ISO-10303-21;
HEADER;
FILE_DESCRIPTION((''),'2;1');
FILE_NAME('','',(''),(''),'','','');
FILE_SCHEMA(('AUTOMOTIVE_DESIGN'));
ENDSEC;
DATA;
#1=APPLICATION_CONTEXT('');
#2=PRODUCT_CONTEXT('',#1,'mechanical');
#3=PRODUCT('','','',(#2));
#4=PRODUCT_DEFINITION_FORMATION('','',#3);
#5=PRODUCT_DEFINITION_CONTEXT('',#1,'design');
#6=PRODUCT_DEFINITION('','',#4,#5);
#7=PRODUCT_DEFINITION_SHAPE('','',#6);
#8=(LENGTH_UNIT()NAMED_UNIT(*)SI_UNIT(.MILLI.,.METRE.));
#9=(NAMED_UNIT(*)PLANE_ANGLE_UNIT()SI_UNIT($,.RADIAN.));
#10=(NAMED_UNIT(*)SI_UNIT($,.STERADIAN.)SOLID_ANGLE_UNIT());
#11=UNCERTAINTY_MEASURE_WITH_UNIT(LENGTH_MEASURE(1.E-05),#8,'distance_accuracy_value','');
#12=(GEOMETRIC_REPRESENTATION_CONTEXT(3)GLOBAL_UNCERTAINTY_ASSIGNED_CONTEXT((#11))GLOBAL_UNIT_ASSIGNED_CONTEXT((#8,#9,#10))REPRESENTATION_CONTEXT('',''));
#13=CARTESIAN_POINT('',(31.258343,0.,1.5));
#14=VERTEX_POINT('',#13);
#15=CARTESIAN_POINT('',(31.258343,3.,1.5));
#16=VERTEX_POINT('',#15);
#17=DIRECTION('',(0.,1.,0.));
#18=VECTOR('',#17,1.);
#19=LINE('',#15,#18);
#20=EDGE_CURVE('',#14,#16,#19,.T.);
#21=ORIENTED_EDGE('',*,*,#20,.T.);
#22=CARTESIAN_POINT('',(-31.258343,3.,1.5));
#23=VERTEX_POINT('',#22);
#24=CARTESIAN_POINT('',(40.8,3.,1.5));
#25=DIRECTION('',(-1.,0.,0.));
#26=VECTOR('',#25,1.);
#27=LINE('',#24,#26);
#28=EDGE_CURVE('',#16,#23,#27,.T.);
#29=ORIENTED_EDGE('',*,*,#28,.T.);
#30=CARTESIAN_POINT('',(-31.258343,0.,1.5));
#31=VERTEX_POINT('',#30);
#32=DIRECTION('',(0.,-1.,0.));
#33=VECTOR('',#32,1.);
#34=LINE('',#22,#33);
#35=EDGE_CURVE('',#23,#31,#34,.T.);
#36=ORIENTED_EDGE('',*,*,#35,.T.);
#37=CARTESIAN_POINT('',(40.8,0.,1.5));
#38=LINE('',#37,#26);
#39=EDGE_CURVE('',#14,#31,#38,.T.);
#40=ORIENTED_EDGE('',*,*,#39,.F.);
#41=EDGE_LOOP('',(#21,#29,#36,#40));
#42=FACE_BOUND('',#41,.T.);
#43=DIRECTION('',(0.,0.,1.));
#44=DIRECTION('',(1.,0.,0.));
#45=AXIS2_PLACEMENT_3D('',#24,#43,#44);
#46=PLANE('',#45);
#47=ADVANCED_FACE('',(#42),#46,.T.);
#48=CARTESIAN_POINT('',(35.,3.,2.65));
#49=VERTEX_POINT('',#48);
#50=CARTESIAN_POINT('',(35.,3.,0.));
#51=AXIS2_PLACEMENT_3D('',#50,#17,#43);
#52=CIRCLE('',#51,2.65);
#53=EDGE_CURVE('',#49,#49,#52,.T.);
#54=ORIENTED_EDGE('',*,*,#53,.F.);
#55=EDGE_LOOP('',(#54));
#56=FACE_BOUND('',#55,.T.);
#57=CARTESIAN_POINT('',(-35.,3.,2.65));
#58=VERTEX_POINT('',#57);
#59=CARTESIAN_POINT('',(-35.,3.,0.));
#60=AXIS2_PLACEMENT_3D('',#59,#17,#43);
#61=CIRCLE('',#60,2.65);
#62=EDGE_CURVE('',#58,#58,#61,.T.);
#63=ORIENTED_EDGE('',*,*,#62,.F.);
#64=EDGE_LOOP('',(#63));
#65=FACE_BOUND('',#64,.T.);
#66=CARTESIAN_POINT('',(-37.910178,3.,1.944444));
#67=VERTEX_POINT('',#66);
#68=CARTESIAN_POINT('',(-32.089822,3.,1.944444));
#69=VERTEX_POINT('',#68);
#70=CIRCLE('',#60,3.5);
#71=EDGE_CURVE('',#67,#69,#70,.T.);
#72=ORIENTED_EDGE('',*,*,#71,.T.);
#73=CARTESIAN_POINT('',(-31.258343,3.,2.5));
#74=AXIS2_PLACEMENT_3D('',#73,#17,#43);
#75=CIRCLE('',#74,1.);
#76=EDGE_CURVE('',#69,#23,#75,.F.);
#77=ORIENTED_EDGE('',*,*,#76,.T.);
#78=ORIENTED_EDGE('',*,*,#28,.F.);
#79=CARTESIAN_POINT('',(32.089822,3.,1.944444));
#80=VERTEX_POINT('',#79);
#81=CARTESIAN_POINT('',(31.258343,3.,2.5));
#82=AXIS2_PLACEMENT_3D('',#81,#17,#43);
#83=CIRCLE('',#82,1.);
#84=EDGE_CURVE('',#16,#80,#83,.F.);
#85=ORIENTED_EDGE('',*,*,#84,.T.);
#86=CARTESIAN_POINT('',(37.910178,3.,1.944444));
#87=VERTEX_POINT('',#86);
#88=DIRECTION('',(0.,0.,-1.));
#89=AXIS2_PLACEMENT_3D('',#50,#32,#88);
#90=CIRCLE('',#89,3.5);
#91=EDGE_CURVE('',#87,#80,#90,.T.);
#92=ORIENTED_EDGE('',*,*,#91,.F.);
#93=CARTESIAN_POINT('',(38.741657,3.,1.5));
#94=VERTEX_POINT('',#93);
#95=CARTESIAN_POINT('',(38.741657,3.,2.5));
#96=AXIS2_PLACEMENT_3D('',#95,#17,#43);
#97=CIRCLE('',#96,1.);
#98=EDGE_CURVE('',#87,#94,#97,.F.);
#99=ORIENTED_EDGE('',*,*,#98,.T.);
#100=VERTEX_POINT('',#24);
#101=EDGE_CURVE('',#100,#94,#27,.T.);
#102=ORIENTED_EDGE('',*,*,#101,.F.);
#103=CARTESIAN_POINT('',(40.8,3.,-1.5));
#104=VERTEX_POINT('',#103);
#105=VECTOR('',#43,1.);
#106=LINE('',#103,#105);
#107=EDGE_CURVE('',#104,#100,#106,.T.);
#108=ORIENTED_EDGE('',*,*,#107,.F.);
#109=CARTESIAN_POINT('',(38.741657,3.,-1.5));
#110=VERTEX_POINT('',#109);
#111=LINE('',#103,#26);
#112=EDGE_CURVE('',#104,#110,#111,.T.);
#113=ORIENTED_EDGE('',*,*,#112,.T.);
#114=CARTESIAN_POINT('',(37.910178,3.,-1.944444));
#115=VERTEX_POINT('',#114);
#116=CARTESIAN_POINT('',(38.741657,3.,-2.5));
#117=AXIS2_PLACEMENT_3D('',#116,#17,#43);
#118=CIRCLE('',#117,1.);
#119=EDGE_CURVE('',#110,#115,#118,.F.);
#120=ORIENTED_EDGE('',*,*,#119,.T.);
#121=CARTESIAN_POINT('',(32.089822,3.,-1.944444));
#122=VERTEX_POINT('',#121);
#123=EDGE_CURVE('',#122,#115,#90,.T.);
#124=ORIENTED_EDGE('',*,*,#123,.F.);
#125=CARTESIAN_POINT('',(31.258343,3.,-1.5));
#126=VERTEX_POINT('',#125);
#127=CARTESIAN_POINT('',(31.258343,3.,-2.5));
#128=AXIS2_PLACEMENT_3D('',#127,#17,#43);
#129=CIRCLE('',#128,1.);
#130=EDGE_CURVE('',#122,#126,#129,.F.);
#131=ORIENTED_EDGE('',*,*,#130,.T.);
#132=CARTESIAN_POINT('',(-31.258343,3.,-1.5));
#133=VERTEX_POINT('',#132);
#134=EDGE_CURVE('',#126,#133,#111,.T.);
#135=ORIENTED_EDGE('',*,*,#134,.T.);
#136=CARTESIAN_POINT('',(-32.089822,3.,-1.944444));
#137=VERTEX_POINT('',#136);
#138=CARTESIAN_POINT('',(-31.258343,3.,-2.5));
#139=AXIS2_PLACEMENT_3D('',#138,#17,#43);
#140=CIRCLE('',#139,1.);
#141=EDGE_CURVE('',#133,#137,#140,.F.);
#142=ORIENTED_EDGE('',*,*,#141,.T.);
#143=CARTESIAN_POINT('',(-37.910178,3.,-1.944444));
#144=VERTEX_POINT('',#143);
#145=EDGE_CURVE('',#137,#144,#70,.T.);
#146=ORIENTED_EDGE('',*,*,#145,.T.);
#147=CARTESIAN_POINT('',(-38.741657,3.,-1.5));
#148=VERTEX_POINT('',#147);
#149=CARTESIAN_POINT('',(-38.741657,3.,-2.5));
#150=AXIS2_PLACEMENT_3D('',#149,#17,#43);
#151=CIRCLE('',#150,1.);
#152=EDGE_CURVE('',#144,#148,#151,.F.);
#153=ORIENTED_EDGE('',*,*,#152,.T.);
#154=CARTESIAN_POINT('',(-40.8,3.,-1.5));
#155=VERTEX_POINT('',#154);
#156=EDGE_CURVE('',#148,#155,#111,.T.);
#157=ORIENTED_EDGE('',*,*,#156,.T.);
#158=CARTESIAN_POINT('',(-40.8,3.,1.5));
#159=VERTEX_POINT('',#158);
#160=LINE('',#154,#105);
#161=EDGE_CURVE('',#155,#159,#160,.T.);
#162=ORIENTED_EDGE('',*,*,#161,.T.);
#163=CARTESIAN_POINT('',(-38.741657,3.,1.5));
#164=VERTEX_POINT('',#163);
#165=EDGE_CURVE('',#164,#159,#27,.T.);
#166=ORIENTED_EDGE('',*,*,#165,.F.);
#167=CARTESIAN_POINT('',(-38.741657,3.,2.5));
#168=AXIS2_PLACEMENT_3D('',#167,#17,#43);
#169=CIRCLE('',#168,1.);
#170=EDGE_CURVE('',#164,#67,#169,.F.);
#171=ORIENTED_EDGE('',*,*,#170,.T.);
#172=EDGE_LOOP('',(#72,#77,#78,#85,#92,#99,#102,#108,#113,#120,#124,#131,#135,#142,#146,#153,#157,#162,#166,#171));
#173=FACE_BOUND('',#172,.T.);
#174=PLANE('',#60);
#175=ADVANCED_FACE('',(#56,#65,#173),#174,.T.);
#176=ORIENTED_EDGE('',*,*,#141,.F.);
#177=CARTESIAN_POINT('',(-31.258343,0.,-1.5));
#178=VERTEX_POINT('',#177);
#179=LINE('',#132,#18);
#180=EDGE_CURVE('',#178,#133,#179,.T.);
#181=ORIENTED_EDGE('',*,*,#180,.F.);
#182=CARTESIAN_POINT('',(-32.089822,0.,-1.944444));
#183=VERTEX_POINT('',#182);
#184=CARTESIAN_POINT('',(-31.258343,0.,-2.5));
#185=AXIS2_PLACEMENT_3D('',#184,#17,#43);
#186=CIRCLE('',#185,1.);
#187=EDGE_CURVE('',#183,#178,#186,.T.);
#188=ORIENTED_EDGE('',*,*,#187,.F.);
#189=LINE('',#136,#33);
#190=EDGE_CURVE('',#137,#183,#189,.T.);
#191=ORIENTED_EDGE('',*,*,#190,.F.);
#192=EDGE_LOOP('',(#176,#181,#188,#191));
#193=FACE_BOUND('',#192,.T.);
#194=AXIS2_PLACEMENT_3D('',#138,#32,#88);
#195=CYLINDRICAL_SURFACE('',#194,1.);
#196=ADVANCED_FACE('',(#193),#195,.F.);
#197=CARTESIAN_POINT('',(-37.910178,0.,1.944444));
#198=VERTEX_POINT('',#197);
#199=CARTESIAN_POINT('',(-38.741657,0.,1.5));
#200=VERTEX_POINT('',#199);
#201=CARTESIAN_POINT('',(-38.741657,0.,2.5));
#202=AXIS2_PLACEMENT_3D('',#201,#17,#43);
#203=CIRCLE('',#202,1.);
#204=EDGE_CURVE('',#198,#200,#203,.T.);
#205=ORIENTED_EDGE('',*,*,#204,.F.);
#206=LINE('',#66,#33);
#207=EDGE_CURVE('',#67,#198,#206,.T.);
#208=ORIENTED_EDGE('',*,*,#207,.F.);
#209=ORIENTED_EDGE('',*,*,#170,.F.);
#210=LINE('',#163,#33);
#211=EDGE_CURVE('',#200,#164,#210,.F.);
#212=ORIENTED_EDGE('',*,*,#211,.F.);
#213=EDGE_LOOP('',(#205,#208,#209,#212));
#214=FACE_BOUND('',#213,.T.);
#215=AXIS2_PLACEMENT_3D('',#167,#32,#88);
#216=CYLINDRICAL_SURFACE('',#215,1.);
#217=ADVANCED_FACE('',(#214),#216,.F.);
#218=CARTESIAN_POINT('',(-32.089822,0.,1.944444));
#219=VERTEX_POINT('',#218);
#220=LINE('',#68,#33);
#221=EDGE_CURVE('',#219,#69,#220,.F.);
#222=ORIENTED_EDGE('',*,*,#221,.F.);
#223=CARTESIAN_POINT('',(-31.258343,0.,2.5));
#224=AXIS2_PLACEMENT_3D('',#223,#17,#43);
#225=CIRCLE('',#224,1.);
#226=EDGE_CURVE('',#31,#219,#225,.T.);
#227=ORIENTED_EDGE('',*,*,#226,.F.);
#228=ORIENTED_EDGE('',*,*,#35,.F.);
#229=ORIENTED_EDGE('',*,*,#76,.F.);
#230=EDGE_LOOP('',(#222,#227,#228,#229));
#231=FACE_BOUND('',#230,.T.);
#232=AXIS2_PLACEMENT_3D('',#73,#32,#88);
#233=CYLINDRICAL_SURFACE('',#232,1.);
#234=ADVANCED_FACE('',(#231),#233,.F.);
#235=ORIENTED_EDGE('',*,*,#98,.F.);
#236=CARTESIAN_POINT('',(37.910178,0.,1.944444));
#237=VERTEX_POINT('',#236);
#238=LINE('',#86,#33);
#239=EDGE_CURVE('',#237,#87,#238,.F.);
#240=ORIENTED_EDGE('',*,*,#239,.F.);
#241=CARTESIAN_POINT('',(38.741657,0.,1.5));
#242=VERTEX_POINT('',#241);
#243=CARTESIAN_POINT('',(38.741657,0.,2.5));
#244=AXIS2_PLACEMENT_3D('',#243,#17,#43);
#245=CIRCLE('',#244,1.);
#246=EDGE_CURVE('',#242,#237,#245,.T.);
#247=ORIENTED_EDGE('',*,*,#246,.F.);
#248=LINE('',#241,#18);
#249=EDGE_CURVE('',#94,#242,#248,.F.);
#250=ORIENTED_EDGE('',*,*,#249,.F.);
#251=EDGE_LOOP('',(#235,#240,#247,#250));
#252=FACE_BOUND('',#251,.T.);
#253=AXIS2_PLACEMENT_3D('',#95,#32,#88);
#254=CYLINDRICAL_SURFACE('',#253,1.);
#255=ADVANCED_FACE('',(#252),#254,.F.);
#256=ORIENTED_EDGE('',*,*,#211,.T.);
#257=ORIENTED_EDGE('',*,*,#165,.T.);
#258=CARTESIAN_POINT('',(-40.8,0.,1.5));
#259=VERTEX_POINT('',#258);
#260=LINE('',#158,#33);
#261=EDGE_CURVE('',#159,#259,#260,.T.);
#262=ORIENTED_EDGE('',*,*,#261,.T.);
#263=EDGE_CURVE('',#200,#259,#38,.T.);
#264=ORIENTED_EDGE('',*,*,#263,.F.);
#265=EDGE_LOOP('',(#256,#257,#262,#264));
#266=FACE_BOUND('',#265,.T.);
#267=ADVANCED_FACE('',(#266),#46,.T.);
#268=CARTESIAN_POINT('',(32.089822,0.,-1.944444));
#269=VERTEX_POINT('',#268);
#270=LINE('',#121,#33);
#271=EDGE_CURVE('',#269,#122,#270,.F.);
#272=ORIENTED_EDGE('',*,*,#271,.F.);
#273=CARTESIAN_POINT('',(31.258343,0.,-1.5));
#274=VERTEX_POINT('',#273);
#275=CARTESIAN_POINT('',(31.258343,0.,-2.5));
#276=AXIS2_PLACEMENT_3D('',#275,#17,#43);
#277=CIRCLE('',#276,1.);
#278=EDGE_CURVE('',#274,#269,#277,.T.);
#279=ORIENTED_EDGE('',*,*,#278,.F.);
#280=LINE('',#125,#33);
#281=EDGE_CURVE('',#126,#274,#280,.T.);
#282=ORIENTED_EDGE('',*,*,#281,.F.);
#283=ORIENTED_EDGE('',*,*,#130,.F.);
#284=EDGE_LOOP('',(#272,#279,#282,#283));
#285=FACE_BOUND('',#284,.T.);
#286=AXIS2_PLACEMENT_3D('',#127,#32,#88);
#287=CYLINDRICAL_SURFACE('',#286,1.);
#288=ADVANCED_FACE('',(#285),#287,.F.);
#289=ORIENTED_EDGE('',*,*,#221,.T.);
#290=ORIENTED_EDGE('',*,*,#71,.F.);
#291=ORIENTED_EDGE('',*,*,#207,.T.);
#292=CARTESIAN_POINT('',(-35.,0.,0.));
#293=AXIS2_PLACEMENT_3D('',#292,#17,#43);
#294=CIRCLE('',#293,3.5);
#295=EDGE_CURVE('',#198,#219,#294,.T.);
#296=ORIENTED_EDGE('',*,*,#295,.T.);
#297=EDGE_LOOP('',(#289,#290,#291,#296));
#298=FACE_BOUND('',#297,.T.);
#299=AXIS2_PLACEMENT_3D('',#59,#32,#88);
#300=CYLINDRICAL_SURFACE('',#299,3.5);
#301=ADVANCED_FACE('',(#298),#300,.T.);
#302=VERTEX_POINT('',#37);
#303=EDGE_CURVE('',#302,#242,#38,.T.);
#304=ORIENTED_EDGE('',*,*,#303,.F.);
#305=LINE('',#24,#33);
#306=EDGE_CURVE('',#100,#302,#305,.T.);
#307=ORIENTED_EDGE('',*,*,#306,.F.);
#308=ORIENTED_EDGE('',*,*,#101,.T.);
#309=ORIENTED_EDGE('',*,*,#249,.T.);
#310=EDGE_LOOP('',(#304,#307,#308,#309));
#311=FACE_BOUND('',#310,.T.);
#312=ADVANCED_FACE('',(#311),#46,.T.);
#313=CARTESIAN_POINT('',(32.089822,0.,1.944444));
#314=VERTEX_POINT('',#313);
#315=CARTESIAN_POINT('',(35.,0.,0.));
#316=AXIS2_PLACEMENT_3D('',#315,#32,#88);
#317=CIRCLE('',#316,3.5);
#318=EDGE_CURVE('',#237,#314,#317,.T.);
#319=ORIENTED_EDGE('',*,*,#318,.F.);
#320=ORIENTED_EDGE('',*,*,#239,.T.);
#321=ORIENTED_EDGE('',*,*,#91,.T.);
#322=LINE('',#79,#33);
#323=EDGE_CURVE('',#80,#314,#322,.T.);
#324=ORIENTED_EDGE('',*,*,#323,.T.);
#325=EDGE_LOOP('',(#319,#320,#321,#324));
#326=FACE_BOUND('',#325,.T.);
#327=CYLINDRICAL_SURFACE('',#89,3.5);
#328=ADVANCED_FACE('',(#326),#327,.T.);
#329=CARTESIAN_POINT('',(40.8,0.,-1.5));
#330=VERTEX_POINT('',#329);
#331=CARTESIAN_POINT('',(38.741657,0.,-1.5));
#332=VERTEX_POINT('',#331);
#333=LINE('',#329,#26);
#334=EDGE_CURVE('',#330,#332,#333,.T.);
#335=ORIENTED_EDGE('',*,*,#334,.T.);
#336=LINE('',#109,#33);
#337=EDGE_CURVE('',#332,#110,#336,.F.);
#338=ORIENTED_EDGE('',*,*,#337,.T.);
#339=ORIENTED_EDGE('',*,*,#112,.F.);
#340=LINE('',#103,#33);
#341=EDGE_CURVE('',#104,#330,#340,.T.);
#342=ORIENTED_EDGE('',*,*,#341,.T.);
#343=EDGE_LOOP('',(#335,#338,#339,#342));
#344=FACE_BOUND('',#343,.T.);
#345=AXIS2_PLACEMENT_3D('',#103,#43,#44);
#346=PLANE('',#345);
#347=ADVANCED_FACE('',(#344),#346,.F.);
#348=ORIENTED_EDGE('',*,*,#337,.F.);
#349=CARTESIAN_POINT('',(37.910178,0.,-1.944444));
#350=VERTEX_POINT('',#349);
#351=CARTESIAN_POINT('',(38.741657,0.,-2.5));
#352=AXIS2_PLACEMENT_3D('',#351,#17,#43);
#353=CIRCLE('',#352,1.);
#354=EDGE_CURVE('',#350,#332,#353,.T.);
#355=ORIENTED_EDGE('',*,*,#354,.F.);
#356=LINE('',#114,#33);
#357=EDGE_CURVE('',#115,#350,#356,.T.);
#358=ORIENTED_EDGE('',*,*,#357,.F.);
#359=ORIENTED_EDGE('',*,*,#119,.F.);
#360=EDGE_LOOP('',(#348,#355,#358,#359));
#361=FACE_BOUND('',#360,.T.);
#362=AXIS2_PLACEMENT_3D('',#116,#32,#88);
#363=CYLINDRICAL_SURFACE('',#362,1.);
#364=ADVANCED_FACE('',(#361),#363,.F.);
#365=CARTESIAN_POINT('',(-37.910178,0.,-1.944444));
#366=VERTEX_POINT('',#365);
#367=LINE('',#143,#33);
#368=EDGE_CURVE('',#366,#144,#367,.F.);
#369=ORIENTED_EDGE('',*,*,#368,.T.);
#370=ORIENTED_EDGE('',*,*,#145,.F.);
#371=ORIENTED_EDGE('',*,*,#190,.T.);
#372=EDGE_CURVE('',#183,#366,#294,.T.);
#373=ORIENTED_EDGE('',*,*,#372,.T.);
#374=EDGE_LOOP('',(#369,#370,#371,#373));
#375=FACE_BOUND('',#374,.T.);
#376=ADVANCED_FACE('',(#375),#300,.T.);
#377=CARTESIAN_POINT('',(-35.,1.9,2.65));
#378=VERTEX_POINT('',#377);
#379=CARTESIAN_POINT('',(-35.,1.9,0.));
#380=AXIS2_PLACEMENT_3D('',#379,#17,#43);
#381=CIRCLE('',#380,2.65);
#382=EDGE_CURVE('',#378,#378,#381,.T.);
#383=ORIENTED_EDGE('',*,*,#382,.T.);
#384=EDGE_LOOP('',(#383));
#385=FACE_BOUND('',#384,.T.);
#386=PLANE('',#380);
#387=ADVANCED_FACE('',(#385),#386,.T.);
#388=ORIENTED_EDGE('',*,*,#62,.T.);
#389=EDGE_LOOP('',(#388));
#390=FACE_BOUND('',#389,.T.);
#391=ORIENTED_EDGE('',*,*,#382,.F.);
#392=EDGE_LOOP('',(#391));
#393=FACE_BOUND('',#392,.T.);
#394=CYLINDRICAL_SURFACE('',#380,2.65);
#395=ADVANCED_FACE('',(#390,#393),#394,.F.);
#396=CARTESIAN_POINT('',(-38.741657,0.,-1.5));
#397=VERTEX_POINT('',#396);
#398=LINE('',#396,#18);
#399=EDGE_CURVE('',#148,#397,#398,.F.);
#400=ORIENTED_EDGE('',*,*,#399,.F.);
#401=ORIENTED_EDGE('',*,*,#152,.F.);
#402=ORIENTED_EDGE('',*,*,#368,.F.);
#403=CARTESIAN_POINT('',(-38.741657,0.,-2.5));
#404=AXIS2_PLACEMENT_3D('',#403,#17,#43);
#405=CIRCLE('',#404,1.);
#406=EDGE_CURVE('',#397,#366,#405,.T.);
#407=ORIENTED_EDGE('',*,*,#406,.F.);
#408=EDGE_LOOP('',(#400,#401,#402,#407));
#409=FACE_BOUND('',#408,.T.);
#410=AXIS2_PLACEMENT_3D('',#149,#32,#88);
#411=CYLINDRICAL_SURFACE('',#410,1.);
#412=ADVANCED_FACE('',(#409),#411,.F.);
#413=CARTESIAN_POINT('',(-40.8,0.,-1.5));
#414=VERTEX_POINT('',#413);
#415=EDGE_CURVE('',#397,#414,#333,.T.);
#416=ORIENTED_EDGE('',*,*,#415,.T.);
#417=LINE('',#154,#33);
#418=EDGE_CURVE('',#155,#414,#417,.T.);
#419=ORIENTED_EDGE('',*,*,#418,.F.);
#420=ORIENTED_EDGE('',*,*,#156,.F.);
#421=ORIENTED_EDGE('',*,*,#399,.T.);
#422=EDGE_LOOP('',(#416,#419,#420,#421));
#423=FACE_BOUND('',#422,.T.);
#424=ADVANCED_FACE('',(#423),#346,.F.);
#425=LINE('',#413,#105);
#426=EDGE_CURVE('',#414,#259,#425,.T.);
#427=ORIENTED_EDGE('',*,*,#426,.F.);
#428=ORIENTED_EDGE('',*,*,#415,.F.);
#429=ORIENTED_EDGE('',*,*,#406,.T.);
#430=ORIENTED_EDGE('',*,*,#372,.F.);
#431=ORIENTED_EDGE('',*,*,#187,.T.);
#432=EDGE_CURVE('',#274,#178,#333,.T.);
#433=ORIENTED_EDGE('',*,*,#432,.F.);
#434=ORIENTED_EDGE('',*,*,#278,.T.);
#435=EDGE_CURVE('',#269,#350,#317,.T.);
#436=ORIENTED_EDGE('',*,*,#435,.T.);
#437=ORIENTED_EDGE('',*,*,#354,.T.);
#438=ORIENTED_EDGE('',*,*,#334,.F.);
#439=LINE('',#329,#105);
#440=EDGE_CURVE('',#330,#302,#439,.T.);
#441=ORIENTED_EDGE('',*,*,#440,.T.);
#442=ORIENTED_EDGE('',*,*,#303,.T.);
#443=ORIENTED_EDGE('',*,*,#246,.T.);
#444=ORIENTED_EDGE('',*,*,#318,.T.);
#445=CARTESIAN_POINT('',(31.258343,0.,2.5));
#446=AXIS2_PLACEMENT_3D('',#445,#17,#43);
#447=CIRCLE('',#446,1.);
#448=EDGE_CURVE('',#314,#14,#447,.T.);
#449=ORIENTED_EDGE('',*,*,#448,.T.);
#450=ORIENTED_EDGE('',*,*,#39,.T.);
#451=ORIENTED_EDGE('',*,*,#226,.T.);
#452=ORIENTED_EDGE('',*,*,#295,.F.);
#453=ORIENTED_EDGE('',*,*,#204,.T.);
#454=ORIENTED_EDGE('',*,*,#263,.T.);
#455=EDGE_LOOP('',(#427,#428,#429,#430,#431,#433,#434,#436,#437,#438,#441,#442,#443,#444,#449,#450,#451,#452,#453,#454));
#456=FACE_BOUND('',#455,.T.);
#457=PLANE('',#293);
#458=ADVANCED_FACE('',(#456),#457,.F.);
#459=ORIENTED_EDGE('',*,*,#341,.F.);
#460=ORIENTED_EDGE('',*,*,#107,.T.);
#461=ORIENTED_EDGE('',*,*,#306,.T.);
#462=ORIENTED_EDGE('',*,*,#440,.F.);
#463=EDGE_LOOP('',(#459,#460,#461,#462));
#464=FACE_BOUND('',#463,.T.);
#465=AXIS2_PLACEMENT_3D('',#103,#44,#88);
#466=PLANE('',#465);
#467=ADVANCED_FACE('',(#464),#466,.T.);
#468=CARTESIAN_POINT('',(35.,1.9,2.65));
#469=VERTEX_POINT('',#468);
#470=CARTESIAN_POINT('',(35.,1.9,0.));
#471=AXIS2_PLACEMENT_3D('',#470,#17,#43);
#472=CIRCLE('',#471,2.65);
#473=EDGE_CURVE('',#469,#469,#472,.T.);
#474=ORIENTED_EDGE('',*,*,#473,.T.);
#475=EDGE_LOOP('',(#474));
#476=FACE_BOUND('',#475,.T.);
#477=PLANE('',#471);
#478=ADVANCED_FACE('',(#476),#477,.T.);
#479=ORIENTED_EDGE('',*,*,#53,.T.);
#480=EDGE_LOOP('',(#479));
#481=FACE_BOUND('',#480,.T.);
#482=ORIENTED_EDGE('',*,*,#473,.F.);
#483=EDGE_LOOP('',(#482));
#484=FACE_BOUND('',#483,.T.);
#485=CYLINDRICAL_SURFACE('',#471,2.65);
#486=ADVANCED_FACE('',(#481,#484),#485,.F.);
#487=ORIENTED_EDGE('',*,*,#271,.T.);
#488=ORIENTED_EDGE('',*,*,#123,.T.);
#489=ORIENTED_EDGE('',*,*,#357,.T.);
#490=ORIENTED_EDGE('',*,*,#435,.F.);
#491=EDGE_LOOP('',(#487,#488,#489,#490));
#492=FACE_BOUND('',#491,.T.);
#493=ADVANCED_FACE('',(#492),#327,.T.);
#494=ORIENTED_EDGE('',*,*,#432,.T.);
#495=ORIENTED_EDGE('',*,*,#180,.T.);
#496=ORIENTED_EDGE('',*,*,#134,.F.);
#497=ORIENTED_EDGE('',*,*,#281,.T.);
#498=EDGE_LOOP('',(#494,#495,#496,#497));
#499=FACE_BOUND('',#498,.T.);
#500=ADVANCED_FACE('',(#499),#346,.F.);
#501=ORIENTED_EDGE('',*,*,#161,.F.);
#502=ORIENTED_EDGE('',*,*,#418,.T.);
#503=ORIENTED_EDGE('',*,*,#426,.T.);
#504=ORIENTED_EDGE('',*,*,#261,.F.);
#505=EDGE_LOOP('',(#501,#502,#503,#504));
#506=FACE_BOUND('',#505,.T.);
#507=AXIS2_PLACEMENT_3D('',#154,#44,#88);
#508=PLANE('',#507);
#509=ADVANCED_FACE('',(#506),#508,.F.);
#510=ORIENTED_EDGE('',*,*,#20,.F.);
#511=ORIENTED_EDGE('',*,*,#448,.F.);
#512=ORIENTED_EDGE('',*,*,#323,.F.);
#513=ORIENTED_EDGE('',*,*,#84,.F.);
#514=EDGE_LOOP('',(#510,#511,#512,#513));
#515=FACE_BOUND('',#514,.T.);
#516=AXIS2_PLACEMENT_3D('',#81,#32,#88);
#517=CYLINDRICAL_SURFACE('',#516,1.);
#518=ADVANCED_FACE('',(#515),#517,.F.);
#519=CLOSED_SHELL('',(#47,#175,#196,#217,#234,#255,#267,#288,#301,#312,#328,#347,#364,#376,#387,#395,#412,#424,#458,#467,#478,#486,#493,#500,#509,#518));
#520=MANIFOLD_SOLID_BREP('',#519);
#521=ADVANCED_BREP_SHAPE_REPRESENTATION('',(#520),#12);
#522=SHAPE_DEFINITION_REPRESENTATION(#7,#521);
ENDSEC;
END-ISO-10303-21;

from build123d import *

# Parameters (mm, degrees)
SKETCH1_R          = 3.5
SKETCH1_W          = 81.6
SKETCH1_H          = 3
BASE_SHAPE_DEPTH   = 3
SKETCH2_R          = 2.65
MAGNET_HOLES_DEPTH = 1.1
MILLING_FILLETS_R  = 1


with BuildPart() as part:
    # Sketch1 → Base shape (new body)
    with BuildSketch(Plane(origin=(0, 0, 0), x_dir=(1, 0, 0), z_dir=(0, 1, 0))):
        with Locations((-35, 0)):
            Circle(SKETCH1_R)
        with Locations((35, 0)):
            Circle(SKETCH1_R)
        Rectangle(SKETCH1_W, SKETCH1_H)
    extrude(amount=BASE_SHAPE_DEPTH)

    # Sketch2 → Magnet holes (cut)
    with BuildSketch(Plane(origin=(0, 3, 0), x_dir=(1, 0, 0), z_dir=(0, 1, 0))):
        with Locations((-35, 0)):
            Circle(SKETCH2_R)
        with Locations((35, 0)):
            Circle(SKETCH2_R)
    extrude(amount=-MAGNET_HOLES_DEPTH, mode=Mode.SUBTRACT)

    # Milling fillets
    milling_fillets_edges = [part.edges().sort_by_distance(p)[0] for p in [
        (-38.16227766, 1.5, -1.5),
        (31.83772234, 1.5, -1.5),
        (38.16227766, 1.5, -1.5),
        (31.83772234, 1.5, 1.5),
        (38.16227766, 1.5, 1.5),
        (-31.83772234, 1.5, 1.5),
        (-38.16227766, 1.5, 1.5),
        (-31.83772234, 1.5, -1.5),
    ]]
    fillet(milling_fillets_edges, radius=MILLING_FILLETS_R)


solid = part.part
